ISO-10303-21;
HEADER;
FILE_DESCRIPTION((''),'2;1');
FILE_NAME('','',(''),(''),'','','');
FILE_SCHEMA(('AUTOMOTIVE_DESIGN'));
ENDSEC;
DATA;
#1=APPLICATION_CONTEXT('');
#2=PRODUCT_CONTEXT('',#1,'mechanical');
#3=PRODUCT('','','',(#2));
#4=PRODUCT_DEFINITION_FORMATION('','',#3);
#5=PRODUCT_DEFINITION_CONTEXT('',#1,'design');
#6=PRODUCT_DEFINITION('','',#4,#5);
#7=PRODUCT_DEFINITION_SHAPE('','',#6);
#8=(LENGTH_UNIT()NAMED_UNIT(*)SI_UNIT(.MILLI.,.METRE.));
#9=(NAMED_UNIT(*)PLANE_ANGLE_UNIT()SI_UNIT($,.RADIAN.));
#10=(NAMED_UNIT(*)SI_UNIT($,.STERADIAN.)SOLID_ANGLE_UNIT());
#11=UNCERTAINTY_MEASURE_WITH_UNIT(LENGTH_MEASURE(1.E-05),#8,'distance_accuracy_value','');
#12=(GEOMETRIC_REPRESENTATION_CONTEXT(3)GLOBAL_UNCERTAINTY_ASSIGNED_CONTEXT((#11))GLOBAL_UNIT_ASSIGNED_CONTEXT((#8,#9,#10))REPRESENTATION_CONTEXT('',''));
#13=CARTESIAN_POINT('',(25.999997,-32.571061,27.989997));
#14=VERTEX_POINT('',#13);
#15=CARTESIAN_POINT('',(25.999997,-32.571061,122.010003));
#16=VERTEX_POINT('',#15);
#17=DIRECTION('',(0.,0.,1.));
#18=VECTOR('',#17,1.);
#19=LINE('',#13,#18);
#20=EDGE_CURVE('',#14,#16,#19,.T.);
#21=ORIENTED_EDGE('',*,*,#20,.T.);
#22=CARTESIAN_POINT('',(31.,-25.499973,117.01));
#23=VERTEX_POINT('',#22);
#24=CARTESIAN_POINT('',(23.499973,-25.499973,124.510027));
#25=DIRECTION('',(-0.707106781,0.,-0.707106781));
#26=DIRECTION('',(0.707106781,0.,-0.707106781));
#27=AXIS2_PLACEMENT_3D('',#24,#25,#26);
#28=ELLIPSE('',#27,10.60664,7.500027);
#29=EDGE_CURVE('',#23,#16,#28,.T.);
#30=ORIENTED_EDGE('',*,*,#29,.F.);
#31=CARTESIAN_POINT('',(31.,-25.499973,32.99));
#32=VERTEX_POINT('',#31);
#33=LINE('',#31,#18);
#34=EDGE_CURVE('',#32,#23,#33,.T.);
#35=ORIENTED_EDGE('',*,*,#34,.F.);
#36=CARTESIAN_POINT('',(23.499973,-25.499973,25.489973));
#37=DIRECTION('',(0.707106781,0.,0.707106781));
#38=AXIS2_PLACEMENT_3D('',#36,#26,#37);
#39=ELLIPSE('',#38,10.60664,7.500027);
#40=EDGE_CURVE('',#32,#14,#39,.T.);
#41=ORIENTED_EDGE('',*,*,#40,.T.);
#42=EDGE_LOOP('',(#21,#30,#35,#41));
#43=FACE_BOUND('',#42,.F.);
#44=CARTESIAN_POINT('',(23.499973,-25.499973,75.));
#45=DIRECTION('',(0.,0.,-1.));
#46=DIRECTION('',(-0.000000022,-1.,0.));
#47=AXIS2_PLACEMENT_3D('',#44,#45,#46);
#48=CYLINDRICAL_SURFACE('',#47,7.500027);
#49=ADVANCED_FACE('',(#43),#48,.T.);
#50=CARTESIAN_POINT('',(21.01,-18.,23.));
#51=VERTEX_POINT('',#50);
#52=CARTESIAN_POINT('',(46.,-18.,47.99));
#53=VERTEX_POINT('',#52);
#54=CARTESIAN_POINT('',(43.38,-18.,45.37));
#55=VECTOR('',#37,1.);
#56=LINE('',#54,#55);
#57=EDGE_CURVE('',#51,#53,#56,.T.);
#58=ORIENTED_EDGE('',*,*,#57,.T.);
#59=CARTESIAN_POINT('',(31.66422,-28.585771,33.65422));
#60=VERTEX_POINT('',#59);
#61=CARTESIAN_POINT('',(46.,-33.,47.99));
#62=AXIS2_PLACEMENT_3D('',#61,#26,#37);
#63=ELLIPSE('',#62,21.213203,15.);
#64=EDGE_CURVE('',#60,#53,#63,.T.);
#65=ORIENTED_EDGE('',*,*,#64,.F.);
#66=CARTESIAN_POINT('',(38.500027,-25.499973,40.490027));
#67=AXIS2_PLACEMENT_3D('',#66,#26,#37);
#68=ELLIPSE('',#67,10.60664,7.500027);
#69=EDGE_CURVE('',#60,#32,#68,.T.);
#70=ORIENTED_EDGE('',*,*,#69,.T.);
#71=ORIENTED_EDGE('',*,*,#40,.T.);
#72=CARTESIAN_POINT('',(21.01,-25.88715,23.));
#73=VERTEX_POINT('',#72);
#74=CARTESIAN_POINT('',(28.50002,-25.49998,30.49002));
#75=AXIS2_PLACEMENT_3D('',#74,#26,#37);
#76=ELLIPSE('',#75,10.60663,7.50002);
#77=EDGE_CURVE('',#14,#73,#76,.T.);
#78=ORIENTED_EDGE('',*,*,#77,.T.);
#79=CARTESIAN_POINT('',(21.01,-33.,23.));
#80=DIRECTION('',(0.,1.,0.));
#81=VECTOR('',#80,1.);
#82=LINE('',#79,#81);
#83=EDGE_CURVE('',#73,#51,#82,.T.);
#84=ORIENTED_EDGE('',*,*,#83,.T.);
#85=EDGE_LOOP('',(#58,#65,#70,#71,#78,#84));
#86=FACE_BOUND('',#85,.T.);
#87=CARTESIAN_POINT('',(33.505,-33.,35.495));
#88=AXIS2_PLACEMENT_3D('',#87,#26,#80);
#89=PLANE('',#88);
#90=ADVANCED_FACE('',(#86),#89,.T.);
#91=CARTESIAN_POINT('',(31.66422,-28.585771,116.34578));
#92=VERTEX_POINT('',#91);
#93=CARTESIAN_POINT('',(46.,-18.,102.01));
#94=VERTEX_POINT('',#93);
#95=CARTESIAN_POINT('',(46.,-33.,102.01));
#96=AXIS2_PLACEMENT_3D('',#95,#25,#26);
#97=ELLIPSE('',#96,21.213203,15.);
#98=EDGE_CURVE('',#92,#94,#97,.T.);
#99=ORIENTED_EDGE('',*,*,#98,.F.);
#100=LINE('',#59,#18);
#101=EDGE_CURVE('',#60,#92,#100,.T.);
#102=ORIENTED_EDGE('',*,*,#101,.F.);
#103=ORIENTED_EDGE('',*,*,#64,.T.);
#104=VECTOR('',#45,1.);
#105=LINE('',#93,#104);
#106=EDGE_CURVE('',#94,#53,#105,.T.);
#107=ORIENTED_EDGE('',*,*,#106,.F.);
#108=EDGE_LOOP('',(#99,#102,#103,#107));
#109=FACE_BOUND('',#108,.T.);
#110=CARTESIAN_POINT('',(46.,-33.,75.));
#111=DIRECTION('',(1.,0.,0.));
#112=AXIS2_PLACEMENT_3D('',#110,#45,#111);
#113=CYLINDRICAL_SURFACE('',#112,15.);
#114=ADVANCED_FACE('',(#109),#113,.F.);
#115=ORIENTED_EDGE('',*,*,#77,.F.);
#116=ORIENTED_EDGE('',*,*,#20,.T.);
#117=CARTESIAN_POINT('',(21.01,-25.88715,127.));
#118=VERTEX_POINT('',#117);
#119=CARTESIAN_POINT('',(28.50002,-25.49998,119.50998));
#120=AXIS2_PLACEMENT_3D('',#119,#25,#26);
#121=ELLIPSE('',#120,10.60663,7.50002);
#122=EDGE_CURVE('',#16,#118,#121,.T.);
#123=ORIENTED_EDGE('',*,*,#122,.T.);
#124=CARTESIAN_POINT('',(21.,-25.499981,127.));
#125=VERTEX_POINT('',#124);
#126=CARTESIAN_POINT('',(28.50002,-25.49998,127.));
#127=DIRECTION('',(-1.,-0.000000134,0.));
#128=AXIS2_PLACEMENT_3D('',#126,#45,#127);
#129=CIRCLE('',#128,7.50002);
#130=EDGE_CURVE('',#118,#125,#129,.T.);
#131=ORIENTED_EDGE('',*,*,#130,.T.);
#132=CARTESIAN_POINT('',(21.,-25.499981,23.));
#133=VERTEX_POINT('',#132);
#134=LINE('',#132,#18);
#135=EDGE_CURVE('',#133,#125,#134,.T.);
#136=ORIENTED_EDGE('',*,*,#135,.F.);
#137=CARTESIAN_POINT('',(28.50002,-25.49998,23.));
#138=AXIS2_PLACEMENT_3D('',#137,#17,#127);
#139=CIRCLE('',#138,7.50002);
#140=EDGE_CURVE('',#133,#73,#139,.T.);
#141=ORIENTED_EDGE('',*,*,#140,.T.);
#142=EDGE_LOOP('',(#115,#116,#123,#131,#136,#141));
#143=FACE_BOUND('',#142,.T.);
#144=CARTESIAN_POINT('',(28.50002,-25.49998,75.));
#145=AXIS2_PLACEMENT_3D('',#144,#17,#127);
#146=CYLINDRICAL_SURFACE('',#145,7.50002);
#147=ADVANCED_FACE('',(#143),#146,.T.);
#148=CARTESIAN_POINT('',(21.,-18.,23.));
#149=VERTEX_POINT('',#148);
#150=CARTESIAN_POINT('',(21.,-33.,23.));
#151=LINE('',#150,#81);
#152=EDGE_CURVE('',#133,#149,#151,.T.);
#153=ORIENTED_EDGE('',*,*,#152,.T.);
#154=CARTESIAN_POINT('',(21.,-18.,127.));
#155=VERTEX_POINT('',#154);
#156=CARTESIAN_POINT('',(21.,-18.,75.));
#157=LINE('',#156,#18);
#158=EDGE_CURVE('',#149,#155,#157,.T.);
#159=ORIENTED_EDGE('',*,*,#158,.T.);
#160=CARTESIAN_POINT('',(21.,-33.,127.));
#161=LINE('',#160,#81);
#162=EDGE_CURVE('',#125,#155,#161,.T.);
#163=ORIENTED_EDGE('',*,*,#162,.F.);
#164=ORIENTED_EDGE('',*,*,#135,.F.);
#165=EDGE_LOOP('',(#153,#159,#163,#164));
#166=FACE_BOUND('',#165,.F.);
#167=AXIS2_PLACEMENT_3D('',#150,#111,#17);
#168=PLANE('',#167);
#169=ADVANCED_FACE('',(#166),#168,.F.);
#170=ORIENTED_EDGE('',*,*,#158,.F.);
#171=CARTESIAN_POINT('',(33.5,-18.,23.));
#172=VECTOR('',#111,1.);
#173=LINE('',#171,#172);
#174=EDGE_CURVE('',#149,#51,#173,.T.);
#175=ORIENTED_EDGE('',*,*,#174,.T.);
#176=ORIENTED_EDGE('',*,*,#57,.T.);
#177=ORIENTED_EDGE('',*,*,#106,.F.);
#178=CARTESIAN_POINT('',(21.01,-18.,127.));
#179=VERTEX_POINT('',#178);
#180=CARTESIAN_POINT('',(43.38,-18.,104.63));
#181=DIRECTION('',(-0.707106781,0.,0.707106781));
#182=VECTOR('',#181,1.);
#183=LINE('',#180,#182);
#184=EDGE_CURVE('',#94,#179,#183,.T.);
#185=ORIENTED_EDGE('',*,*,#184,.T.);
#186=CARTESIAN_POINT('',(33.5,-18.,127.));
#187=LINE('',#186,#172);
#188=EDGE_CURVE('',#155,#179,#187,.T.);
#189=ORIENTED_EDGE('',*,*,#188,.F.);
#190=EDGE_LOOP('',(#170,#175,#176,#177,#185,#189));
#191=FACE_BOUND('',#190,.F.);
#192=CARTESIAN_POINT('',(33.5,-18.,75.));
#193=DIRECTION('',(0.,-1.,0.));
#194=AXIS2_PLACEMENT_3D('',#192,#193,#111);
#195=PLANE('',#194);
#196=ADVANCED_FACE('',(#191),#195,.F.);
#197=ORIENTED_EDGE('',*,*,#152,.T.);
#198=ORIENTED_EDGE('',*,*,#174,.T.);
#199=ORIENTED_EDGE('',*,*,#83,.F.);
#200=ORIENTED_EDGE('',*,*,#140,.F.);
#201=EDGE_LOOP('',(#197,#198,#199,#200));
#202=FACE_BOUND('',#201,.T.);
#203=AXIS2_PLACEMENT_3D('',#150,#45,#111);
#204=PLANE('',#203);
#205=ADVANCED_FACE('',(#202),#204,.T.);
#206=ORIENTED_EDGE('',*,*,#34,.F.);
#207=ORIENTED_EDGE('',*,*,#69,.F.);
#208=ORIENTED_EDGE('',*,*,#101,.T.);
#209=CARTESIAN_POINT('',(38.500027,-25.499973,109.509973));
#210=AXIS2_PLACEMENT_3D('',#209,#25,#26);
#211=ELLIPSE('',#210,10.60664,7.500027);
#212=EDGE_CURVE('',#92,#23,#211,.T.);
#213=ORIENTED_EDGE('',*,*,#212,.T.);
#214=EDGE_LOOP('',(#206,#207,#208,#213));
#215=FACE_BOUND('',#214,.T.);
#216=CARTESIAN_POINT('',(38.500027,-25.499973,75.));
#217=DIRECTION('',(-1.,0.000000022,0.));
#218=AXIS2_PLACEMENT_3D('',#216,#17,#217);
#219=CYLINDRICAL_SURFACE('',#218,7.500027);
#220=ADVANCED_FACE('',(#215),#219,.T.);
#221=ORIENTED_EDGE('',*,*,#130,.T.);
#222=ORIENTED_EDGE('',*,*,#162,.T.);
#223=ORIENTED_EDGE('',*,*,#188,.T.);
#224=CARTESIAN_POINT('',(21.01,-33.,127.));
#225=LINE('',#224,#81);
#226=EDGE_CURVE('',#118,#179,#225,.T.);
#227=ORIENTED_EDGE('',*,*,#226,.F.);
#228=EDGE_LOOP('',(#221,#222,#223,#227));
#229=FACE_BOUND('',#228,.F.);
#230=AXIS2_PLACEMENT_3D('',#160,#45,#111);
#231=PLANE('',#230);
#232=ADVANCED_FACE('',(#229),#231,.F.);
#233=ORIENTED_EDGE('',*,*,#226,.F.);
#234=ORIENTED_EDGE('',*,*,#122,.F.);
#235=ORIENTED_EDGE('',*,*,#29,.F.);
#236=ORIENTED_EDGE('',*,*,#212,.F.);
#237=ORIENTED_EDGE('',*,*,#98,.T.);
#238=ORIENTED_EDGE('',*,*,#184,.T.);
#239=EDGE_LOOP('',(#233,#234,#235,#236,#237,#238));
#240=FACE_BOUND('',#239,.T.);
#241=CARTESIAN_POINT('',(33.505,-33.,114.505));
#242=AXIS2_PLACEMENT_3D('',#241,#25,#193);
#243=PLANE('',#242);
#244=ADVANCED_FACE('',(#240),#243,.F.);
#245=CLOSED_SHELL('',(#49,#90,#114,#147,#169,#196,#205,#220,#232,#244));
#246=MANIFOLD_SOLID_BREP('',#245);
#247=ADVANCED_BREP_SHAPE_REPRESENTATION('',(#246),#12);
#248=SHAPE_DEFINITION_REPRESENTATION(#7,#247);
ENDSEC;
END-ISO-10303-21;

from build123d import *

# Parameters (mm, degrees)
SKETCH005_W          = 25
SKETCH005_H          = 104
PAD001_DEPTH         = 15
FRAME45CUT_SIZE      = 24.99
ROUTERPATTERN001_R   = 15
ROUTER001_DEPTH      = 52.001
ROUTER001_DEPTH_BACK = 52.001
ROUTER005_DEPTH      = 52.001
ROUTER005_DEPTH_BACK = 52.001
ROUTER008_DEPTH      = 52.001
ROUTER008_DEPTH_BACK = 52.001


with BuildPart() as part:
    # Sketch005 → Pad001 (new body)
    with BuildSketch(Plane(origin=(21, -33, 23), x_dir=(1, 0, 0), z_dir=(0, -1, 0))):
        with Locations((12.5, 52)):
            Rectangle(SKETCH005_W, SKETCH005_H)
    extrude(amount=-PAD001_DEPTH)

    # Frame45Cut
    frame45cut_edges = [part.edges().sort_by_distance(p)[0] for p in [
        (46, -25.5, 127),
        (46, -25.5, 23),
    ]]
    chamfer(frame45cut_edges, length=FRAME45CUT_SIZE)

    # routerPattern001 → router001 (cut, two sides)
    with BuildSketch(Plane(origin=(46, -33, 75), x_dir=(1, 0, 0), z_dir=(0, 0, 1))) as router001_sk:
        Circle(ROUTERPATTERN001_R)
    extrude(amount=-ROUTER001_DEPTH, mode=Mode.SUBTRACT)
    extrude(router001_sk.sketch, amount=ROUTER001_DEPTH_BACK, mode=Mode.SUBTRACT)

    # routerPattern005 → router005 (cut, two sides)
    with BuildSketch(Plane(origin=(31, -33, 75), x_dir=(1, 0, 0), z_dir=(0, 0, 1))) as router005_sk:
        with BuildLine():
            ThreePointArc((7.500027, 0), (2.196717, -2.196697), (0, -7.5))
            ThreePointArc((0, -7.5), (-2.196717, -2.196698), (-7.500027, 0))
            ThreePointArc((-7.500027, 0), (-2.196707, 2.196707), (0, 7.500027))
            ThreePointArc((0, 7.500027), (2.196707, 2.196707), (7.500027, 0))
        make_face()
    extrude(amount=-ROUTER005_DEPTH, mode=Mode.SUBTRACT)
    extrude(router005_sk.sketch, amount=ROUTER005_DEPTH_BACK, mode=Mode.SUBTRACT)

    # routerPattern008 → router008 (cut, two sides)
    with BuildSketch(Plane(origin=(21, -33, 75), x_dir=(1, 0, 0), z_dir=(0, 0, 1))) as router008_sk:
        with BuildLine():
            ThreePointArc((7.500019, 0), (2.196711, -2.196698), (0, -7.5))
            ThreePointArc((0, -7.5), (-2.196711, -2.196698), (-7.500018, 0))
            ThreePointArc((-7.500018, 0), (-2.196704, 2.196705), (0, 7.500019))
            ThreePointArc((0, 7.500019), (2.196705, 2.196705), (7.500019, 0))
        make_face()
    extrude(amount=-ROUTER008_DEPTH, mode=Mode.SUBTRACT)
    extrude(router008_sk.sketch, amount=ROUTER008_DEPTH_BACK, mode=Mode.SUBTRACT)


solid = part.part
